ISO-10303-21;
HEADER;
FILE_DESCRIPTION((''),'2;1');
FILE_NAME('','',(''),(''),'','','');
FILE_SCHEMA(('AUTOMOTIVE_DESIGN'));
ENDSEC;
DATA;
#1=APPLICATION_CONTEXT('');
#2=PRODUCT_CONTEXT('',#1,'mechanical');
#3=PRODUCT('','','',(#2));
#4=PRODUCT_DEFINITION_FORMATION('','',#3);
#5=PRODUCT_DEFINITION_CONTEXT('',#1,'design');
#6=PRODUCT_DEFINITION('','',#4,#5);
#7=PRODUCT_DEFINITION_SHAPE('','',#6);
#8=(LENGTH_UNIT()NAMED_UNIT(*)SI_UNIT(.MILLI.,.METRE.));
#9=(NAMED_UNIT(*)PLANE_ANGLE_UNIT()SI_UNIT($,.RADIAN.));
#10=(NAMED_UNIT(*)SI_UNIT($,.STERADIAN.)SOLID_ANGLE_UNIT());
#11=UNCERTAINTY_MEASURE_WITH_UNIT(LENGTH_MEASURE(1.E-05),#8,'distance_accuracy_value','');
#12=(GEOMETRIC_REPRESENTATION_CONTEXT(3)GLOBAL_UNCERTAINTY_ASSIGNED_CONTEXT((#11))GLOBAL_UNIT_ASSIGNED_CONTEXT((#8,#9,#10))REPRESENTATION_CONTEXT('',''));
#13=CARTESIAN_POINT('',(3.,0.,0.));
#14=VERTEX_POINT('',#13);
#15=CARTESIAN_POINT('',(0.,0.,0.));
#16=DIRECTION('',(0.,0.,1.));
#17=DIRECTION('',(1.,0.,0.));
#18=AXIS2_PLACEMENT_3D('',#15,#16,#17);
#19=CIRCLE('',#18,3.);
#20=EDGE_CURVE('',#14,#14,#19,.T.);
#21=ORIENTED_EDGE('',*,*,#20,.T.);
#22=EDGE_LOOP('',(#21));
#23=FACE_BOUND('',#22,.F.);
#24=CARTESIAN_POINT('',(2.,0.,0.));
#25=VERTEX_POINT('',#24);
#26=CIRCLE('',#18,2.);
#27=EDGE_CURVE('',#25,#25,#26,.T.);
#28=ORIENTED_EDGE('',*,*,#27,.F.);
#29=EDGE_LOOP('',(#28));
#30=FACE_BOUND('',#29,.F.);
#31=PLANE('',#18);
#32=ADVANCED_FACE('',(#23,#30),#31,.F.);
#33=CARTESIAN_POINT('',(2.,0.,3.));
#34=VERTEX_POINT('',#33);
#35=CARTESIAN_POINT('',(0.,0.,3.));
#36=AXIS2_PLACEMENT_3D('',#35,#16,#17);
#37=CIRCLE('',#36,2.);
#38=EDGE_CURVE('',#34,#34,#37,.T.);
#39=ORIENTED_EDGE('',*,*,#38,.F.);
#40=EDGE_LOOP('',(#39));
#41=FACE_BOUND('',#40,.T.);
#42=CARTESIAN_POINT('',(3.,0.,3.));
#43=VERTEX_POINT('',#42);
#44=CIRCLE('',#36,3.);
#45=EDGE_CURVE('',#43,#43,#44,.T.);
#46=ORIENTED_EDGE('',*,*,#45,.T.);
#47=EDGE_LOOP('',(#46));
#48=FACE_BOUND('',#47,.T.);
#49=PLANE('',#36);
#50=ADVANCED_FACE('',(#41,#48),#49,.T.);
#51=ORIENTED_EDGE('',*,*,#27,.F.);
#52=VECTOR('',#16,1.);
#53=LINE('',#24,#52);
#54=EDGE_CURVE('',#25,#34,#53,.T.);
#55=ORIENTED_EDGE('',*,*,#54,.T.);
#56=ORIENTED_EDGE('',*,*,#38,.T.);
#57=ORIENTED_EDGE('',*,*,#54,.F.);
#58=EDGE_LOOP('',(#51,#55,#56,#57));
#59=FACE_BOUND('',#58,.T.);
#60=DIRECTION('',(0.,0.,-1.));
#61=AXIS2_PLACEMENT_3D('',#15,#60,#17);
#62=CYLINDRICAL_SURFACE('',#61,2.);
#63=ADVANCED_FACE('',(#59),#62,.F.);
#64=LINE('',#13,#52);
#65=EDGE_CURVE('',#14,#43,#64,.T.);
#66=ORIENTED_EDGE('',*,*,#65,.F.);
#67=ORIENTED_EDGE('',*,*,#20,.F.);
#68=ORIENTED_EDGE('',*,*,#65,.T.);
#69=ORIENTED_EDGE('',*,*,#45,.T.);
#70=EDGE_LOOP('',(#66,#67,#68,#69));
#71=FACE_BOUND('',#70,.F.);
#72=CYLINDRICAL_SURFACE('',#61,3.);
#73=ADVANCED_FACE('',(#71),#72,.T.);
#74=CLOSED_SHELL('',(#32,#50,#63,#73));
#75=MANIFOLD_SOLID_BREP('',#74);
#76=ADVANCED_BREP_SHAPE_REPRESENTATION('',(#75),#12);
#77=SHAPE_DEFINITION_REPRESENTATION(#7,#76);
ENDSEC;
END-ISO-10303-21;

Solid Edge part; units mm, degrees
sketch "Sketch1" plane through (0, 0, 0) normal (0, 0, 1) x (1, 0, 0)
  circle A0 centre (0, 0) radius 2
  circle A1 centre (0, 0) radius 3
  dimension "D1" = 4
  dimension "D2" = 6
extrude "Ajout_matière_1" add sketch "Sketch1" along normal blind 3
properties material "Acier S235"
